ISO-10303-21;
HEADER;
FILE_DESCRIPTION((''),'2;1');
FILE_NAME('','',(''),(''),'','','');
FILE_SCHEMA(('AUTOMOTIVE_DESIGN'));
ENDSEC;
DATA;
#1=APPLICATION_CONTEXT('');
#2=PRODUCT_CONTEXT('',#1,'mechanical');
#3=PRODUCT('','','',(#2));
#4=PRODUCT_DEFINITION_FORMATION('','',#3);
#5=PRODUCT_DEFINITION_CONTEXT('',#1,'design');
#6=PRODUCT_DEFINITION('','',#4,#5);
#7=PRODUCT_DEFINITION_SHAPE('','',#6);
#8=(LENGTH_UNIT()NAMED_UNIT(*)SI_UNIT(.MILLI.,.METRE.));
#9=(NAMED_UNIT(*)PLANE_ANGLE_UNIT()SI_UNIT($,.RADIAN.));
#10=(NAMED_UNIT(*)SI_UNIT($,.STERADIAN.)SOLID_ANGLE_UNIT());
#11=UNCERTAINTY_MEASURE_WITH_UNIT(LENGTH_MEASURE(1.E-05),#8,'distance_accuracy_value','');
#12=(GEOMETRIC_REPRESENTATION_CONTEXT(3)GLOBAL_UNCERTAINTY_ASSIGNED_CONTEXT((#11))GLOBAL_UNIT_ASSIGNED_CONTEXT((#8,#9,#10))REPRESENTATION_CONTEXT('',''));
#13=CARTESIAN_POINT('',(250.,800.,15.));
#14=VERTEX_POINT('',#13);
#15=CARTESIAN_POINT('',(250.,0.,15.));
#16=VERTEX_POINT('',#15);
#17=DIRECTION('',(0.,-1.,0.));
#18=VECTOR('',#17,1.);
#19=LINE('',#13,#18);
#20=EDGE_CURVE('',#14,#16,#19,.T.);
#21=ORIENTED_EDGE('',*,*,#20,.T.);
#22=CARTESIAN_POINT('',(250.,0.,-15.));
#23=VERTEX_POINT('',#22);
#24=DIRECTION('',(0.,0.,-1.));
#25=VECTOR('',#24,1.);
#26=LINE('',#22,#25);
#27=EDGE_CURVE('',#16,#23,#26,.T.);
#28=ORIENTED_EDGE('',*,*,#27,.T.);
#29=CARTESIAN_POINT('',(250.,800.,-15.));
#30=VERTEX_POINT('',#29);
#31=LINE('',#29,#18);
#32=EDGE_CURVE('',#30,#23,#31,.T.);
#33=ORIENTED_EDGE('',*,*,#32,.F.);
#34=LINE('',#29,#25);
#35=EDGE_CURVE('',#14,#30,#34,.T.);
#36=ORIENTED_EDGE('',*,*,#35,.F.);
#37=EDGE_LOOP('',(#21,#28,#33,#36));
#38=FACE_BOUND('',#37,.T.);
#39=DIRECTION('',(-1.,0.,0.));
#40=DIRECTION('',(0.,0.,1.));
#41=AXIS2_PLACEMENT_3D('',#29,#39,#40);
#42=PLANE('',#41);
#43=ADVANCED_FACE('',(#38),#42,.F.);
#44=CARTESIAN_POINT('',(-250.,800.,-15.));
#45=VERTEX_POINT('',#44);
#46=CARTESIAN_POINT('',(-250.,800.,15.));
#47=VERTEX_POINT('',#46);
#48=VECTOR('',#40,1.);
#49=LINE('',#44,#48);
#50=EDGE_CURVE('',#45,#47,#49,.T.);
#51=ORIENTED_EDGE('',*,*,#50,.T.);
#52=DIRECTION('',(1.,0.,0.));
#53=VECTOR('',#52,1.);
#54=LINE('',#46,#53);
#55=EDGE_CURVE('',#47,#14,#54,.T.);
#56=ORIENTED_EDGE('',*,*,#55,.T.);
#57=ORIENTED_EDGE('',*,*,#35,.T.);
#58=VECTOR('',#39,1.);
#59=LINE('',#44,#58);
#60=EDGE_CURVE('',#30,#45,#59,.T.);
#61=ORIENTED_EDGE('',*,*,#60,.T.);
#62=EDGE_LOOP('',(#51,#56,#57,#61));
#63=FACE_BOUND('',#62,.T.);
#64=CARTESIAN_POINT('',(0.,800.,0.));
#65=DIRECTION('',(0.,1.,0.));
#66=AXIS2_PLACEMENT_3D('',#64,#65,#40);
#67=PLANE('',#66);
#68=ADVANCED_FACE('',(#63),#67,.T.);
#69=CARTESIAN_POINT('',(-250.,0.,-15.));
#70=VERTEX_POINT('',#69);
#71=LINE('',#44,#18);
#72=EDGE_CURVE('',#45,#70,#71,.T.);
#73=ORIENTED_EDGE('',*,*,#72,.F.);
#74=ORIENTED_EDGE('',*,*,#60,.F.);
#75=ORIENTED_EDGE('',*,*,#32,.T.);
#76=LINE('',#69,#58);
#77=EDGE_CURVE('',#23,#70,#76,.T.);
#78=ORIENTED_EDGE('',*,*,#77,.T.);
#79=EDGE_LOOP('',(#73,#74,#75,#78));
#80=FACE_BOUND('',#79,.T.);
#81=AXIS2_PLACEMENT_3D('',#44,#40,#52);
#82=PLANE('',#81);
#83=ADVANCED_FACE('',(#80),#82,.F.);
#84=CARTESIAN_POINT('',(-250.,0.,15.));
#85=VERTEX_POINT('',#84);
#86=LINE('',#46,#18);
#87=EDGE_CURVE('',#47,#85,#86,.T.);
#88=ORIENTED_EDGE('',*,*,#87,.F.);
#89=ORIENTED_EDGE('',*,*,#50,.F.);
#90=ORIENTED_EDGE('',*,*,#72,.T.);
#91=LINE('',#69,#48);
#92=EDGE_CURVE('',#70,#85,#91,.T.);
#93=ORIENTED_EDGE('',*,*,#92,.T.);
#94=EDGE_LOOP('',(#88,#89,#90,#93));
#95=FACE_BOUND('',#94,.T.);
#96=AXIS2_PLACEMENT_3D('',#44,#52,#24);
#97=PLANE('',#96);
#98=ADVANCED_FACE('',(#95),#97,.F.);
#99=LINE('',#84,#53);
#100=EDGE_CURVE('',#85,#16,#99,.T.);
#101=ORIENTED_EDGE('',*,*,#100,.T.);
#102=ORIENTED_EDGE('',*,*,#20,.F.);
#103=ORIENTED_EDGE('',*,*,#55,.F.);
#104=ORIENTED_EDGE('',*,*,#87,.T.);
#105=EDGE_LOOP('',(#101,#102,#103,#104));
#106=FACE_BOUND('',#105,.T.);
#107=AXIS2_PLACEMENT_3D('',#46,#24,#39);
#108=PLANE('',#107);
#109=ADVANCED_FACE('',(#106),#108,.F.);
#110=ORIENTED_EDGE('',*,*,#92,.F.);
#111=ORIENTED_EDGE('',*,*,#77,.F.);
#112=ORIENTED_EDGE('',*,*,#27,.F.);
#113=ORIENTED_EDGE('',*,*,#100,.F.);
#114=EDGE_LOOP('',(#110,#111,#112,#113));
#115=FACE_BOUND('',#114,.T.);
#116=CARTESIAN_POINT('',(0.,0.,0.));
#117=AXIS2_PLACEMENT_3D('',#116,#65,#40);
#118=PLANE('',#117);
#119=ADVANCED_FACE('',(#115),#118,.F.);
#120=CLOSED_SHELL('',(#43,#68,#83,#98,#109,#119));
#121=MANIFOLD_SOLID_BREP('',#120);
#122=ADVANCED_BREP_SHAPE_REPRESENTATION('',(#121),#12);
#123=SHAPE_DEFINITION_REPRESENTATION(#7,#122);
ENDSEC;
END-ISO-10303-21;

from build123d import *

# Parameters (mm, degrees)
SKETCH1_W           = 500
SKETCH1_H           = 30
BOSS_EXTRUDE1_DEPTH = 800


with BuildPart() as part:
    # Sketch1 → Boss-Extrude1 (new body)
    with BuildSketch(Plane(origin=(0, 0, 0), x_dir=(1, 0, 0), z_dir=(0, 1, 0))):
        Rectangle(SKETCH1_W, SKETCH1_H)
    extrude(amount=BOSS_EXTRUDE1_DEPTH)


solid = part.part
